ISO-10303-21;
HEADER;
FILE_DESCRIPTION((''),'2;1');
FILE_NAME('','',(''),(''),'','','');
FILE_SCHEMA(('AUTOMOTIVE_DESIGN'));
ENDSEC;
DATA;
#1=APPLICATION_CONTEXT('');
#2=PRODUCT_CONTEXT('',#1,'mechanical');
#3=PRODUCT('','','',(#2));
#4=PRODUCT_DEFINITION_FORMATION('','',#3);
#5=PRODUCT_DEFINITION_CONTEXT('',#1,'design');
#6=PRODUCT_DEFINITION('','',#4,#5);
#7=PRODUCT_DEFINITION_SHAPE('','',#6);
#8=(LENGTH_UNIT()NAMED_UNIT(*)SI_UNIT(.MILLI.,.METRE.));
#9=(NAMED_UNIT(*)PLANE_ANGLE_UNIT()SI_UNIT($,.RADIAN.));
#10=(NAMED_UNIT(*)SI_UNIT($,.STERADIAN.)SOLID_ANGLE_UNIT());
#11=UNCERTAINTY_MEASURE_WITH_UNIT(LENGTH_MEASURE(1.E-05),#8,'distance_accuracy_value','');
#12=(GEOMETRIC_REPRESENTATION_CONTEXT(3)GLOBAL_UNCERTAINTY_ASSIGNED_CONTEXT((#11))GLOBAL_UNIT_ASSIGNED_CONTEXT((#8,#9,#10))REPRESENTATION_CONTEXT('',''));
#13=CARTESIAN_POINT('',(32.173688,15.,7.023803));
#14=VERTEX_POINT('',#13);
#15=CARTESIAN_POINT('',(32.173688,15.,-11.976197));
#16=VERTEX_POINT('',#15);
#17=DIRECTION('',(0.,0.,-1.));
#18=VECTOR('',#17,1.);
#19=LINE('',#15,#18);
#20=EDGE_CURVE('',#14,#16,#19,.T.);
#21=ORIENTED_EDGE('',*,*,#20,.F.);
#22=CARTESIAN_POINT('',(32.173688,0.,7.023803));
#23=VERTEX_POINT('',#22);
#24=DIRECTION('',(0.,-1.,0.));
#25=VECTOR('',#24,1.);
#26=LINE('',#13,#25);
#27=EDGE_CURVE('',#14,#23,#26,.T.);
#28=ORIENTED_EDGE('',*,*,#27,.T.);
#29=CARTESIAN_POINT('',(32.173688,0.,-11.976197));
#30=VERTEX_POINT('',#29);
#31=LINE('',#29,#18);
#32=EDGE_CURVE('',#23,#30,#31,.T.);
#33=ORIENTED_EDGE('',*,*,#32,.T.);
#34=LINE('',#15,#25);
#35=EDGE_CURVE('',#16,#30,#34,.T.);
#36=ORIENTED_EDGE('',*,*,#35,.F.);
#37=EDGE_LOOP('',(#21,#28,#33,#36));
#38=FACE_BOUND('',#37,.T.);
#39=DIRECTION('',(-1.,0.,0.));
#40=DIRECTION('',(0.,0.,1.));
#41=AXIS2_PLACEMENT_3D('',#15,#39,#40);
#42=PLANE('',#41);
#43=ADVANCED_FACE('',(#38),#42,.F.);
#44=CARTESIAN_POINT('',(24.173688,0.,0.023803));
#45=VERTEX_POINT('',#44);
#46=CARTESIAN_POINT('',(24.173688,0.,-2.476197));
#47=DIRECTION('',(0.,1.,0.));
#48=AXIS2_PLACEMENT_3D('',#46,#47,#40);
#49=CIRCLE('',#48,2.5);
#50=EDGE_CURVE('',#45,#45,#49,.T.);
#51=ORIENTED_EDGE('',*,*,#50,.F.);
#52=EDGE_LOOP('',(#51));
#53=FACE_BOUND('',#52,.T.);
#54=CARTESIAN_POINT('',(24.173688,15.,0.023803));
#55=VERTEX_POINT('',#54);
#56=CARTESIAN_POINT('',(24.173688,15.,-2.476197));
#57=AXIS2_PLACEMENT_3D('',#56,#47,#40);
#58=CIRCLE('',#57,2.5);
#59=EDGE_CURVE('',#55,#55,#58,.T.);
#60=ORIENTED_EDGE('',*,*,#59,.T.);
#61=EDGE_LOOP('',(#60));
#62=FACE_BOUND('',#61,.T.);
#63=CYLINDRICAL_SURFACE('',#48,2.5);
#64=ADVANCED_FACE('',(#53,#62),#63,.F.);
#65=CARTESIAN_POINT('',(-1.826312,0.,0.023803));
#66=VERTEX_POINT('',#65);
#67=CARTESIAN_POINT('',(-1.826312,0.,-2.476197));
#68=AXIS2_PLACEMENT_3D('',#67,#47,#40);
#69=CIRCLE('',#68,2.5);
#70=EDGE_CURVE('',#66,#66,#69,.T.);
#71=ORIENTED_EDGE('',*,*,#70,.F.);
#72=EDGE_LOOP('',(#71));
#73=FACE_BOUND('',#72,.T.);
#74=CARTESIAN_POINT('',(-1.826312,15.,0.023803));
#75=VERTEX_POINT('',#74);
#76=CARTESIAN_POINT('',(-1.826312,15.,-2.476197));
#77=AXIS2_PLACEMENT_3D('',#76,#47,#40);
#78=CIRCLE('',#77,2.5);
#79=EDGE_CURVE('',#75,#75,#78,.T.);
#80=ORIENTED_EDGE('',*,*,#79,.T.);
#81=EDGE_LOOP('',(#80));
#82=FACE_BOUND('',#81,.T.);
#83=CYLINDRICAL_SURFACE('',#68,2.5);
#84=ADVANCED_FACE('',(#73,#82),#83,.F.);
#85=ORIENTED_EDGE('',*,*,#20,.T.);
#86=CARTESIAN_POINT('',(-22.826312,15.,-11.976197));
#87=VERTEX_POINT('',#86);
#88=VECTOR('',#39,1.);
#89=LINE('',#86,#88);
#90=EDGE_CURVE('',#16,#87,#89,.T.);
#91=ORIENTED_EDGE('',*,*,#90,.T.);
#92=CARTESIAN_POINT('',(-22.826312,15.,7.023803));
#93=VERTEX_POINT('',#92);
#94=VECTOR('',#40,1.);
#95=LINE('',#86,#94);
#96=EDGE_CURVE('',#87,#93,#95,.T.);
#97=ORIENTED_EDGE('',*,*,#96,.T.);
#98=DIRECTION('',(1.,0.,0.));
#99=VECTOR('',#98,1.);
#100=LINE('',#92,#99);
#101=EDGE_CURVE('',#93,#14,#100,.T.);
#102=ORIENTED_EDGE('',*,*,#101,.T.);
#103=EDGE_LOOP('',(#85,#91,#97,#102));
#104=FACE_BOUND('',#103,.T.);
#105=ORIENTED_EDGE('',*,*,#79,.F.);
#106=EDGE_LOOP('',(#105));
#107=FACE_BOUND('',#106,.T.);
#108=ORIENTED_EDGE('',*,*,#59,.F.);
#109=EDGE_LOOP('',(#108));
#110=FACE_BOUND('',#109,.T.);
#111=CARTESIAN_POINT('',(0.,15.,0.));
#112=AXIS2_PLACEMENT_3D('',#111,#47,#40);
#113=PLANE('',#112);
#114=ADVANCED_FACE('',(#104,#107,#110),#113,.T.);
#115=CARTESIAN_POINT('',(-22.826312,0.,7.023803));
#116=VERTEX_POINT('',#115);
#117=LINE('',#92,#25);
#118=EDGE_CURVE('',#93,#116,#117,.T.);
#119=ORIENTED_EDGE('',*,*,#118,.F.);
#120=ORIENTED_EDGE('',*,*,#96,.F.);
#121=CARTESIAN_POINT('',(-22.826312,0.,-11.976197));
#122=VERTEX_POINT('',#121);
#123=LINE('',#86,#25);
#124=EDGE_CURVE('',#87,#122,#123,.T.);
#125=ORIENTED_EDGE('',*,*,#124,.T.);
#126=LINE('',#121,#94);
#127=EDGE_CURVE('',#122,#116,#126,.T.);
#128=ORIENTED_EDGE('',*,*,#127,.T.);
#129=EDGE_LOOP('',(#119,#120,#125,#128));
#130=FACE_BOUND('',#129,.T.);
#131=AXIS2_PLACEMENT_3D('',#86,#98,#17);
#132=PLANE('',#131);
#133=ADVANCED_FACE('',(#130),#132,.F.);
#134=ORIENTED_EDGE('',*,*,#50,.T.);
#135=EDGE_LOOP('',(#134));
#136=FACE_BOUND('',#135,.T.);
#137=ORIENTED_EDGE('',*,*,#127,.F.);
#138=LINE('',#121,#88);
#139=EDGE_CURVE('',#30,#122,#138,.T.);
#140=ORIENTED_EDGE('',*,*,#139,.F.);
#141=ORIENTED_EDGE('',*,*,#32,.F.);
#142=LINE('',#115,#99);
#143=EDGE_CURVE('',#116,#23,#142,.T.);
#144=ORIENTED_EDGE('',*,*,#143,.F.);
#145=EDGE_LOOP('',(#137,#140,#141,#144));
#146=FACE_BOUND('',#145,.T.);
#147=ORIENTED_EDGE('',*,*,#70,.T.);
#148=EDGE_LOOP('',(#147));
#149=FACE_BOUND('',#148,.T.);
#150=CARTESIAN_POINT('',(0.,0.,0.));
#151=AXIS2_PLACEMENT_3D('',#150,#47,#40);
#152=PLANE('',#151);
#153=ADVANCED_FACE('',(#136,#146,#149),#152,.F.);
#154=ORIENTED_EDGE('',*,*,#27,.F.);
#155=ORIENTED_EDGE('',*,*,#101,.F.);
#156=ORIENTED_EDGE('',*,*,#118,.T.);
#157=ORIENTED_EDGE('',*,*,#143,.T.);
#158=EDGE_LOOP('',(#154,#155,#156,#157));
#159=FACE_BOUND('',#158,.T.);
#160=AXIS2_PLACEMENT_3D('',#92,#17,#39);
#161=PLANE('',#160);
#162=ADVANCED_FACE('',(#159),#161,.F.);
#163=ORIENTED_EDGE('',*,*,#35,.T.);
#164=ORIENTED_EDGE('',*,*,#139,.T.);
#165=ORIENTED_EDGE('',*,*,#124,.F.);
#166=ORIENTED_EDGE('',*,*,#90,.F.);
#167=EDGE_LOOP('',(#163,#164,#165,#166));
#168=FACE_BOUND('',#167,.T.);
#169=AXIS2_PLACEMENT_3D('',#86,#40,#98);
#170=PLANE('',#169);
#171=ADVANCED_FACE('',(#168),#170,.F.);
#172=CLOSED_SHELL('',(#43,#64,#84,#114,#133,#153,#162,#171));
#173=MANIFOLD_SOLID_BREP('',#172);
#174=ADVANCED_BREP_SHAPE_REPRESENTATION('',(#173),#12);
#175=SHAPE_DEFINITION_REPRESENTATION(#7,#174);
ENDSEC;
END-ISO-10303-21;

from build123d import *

# Parameters (mm, degrees)
SKETCH1_W           = 55
SKETCH1_H           = 19
BOSS_EXTRUDE1_DEPTH = 15
SKETCH2_R           = 2.5
CUT_EXTRUDE1_DEPTH  = 38.464322822


with BuildPart() as part:
    # Sketch1 → Boss-Extrude1 (new body)
    with BuildSketch(Plane(origin=(0, 0, 0), x_dir=(1, 0, 0), z_dir=(0, 1, 0))):
        with Locations((4.673687672, 2.47619748)):
            Rectangle(SKETCH1_W, SKETCH1_H)
    extrude(amount=BOSS_EXTRUDE1_DEPTH)

    # Sketch2 → Cut-Extrude1 (cut, through all)
    with BuildSketch(Plane(origin=(0, 15, 0), x_dir=(1, 0, 0), z_dir=(0, 1, 0))):
        with Locations(Location((24.173687672, 2.47619748, 0), (0, 0, 270))):
            Circle(SKETCH2_R)
        with Locations(Location((-1.826312328, 2.47619748, 0), (0, 0, 270))):
            Circle(SKETCH2_R)
    extrude(amount=-CUT_EXTRUDE1_DEPTH, mode=Mode.SUBTRACT)


solid = part.part
